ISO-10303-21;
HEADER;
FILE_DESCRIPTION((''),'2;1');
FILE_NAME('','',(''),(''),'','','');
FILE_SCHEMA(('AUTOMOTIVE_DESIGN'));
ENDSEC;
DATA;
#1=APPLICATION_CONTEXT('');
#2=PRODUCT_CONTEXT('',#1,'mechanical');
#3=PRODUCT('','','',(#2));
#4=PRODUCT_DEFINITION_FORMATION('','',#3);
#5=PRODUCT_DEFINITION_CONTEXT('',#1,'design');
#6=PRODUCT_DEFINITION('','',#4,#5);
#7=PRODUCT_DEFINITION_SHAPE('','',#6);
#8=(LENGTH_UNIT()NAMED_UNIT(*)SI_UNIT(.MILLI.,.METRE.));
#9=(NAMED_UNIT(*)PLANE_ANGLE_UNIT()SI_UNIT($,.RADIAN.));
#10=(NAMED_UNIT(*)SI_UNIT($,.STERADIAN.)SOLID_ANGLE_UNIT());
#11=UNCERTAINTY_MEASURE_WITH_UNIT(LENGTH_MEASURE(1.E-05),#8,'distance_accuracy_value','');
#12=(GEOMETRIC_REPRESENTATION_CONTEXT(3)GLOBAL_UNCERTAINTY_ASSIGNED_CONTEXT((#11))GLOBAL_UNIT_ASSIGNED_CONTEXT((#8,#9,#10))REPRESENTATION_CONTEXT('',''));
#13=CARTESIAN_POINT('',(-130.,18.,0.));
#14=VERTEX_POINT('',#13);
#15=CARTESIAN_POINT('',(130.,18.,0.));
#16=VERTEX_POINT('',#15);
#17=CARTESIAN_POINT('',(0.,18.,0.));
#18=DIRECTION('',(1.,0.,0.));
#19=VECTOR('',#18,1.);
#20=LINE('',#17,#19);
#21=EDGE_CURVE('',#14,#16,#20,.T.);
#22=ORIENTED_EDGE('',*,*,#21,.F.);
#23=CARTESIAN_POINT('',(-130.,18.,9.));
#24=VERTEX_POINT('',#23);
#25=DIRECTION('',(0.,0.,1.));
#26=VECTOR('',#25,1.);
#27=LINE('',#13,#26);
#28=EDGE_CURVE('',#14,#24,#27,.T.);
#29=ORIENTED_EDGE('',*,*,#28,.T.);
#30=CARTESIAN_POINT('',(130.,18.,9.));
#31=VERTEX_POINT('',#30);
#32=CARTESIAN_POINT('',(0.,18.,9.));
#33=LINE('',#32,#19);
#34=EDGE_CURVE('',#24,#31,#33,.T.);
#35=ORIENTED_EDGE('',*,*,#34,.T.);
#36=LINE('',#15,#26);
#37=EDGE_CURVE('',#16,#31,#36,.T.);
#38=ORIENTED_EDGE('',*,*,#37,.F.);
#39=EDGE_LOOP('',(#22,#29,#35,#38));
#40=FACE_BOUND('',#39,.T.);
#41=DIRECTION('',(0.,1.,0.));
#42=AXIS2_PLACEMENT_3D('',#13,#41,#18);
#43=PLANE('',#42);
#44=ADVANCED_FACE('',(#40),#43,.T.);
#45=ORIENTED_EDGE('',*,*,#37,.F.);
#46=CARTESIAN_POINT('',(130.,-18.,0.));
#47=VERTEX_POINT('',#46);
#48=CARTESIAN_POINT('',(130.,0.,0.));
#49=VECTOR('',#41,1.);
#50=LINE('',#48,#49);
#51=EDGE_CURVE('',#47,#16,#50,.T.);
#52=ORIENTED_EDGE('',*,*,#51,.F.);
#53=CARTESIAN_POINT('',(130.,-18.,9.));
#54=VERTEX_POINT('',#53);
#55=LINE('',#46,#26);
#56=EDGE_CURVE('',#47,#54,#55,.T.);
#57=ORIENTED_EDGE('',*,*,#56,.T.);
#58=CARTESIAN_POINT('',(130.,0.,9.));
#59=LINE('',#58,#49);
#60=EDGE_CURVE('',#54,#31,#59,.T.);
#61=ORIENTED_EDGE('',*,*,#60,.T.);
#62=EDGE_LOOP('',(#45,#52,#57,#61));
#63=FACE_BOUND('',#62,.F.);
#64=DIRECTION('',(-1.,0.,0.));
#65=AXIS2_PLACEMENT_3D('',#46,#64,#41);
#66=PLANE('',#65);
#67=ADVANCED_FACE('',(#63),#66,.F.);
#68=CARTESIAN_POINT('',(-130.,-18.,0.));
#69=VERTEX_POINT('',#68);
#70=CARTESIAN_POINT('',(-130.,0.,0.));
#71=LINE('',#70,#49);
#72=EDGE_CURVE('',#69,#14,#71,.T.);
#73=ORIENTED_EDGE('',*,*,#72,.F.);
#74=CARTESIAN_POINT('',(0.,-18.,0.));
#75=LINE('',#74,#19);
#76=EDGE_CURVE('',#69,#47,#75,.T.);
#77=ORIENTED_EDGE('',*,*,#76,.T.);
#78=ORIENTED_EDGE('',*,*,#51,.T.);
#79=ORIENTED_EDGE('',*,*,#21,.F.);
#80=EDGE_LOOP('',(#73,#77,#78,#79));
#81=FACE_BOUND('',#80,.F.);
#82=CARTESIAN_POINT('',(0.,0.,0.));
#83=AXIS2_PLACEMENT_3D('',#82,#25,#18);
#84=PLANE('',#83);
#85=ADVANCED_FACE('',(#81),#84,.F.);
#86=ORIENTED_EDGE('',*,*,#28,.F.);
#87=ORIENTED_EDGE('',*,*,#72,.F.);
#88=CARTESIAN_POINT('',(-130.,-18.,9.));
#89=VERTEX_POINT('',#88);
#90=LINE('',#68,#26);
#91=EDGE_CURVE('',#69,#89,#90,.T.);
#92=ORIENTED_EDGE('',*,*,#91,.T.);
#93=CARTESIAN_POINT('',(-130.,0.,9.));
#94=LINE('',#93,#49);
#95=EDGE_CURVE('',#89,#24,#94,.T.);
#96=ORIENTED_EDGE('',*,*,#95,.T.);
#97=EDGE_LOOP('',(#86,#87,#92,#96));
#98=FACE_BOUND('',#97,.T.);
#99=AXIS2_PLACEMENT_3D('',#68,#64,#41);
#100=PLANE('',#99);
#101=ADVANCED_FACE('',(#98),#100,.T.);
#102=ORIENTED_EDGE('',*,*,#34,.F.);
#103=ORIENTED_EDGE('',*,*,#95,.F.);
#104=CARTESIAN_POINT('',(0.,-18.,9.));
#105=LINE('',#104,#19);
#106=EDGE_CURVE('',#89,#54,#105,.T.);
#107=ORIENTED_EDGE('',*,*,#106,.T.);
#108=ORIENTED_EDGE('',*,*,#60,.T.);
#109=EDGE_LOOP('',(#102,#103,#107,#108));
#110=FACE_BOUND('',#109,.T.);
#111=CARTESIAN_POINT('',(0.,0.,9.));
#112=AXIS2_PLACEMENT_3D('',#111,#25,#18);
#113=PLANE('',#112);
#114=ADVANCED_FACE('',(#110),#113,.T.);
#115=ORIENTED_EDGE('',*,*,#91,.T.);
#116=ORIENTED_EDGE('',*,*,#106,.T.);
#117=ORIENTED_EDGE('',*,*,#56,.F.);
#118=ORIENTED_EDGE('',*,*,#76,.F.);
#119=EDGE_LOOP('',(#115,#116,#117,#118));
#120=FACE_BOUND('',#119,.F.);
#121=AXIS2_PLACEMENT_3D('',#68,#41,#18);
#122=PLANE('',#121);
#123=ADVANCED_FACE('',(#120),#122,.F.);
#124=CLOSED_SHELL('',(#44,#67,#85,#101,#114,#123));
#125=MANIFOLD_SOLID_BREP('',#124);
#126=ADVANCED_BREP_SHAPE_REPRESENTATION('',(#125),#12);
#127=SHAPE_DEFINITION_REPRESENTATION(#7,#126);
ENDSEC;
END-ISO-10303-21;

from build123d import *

# Parameters (mm, degrees)
SKETCH_W  = 260
SKETCH_H  = 36
PAD_DEPTH = 9


with BuildPart() as part:
    # Sketch → Pad (new body)
    with BuildSketch(Plane.XY):
        Rectangle(SKETCH_W, SKETCH_H)
    extrude(amount=PAD_DEPTH)


solid = part.part
